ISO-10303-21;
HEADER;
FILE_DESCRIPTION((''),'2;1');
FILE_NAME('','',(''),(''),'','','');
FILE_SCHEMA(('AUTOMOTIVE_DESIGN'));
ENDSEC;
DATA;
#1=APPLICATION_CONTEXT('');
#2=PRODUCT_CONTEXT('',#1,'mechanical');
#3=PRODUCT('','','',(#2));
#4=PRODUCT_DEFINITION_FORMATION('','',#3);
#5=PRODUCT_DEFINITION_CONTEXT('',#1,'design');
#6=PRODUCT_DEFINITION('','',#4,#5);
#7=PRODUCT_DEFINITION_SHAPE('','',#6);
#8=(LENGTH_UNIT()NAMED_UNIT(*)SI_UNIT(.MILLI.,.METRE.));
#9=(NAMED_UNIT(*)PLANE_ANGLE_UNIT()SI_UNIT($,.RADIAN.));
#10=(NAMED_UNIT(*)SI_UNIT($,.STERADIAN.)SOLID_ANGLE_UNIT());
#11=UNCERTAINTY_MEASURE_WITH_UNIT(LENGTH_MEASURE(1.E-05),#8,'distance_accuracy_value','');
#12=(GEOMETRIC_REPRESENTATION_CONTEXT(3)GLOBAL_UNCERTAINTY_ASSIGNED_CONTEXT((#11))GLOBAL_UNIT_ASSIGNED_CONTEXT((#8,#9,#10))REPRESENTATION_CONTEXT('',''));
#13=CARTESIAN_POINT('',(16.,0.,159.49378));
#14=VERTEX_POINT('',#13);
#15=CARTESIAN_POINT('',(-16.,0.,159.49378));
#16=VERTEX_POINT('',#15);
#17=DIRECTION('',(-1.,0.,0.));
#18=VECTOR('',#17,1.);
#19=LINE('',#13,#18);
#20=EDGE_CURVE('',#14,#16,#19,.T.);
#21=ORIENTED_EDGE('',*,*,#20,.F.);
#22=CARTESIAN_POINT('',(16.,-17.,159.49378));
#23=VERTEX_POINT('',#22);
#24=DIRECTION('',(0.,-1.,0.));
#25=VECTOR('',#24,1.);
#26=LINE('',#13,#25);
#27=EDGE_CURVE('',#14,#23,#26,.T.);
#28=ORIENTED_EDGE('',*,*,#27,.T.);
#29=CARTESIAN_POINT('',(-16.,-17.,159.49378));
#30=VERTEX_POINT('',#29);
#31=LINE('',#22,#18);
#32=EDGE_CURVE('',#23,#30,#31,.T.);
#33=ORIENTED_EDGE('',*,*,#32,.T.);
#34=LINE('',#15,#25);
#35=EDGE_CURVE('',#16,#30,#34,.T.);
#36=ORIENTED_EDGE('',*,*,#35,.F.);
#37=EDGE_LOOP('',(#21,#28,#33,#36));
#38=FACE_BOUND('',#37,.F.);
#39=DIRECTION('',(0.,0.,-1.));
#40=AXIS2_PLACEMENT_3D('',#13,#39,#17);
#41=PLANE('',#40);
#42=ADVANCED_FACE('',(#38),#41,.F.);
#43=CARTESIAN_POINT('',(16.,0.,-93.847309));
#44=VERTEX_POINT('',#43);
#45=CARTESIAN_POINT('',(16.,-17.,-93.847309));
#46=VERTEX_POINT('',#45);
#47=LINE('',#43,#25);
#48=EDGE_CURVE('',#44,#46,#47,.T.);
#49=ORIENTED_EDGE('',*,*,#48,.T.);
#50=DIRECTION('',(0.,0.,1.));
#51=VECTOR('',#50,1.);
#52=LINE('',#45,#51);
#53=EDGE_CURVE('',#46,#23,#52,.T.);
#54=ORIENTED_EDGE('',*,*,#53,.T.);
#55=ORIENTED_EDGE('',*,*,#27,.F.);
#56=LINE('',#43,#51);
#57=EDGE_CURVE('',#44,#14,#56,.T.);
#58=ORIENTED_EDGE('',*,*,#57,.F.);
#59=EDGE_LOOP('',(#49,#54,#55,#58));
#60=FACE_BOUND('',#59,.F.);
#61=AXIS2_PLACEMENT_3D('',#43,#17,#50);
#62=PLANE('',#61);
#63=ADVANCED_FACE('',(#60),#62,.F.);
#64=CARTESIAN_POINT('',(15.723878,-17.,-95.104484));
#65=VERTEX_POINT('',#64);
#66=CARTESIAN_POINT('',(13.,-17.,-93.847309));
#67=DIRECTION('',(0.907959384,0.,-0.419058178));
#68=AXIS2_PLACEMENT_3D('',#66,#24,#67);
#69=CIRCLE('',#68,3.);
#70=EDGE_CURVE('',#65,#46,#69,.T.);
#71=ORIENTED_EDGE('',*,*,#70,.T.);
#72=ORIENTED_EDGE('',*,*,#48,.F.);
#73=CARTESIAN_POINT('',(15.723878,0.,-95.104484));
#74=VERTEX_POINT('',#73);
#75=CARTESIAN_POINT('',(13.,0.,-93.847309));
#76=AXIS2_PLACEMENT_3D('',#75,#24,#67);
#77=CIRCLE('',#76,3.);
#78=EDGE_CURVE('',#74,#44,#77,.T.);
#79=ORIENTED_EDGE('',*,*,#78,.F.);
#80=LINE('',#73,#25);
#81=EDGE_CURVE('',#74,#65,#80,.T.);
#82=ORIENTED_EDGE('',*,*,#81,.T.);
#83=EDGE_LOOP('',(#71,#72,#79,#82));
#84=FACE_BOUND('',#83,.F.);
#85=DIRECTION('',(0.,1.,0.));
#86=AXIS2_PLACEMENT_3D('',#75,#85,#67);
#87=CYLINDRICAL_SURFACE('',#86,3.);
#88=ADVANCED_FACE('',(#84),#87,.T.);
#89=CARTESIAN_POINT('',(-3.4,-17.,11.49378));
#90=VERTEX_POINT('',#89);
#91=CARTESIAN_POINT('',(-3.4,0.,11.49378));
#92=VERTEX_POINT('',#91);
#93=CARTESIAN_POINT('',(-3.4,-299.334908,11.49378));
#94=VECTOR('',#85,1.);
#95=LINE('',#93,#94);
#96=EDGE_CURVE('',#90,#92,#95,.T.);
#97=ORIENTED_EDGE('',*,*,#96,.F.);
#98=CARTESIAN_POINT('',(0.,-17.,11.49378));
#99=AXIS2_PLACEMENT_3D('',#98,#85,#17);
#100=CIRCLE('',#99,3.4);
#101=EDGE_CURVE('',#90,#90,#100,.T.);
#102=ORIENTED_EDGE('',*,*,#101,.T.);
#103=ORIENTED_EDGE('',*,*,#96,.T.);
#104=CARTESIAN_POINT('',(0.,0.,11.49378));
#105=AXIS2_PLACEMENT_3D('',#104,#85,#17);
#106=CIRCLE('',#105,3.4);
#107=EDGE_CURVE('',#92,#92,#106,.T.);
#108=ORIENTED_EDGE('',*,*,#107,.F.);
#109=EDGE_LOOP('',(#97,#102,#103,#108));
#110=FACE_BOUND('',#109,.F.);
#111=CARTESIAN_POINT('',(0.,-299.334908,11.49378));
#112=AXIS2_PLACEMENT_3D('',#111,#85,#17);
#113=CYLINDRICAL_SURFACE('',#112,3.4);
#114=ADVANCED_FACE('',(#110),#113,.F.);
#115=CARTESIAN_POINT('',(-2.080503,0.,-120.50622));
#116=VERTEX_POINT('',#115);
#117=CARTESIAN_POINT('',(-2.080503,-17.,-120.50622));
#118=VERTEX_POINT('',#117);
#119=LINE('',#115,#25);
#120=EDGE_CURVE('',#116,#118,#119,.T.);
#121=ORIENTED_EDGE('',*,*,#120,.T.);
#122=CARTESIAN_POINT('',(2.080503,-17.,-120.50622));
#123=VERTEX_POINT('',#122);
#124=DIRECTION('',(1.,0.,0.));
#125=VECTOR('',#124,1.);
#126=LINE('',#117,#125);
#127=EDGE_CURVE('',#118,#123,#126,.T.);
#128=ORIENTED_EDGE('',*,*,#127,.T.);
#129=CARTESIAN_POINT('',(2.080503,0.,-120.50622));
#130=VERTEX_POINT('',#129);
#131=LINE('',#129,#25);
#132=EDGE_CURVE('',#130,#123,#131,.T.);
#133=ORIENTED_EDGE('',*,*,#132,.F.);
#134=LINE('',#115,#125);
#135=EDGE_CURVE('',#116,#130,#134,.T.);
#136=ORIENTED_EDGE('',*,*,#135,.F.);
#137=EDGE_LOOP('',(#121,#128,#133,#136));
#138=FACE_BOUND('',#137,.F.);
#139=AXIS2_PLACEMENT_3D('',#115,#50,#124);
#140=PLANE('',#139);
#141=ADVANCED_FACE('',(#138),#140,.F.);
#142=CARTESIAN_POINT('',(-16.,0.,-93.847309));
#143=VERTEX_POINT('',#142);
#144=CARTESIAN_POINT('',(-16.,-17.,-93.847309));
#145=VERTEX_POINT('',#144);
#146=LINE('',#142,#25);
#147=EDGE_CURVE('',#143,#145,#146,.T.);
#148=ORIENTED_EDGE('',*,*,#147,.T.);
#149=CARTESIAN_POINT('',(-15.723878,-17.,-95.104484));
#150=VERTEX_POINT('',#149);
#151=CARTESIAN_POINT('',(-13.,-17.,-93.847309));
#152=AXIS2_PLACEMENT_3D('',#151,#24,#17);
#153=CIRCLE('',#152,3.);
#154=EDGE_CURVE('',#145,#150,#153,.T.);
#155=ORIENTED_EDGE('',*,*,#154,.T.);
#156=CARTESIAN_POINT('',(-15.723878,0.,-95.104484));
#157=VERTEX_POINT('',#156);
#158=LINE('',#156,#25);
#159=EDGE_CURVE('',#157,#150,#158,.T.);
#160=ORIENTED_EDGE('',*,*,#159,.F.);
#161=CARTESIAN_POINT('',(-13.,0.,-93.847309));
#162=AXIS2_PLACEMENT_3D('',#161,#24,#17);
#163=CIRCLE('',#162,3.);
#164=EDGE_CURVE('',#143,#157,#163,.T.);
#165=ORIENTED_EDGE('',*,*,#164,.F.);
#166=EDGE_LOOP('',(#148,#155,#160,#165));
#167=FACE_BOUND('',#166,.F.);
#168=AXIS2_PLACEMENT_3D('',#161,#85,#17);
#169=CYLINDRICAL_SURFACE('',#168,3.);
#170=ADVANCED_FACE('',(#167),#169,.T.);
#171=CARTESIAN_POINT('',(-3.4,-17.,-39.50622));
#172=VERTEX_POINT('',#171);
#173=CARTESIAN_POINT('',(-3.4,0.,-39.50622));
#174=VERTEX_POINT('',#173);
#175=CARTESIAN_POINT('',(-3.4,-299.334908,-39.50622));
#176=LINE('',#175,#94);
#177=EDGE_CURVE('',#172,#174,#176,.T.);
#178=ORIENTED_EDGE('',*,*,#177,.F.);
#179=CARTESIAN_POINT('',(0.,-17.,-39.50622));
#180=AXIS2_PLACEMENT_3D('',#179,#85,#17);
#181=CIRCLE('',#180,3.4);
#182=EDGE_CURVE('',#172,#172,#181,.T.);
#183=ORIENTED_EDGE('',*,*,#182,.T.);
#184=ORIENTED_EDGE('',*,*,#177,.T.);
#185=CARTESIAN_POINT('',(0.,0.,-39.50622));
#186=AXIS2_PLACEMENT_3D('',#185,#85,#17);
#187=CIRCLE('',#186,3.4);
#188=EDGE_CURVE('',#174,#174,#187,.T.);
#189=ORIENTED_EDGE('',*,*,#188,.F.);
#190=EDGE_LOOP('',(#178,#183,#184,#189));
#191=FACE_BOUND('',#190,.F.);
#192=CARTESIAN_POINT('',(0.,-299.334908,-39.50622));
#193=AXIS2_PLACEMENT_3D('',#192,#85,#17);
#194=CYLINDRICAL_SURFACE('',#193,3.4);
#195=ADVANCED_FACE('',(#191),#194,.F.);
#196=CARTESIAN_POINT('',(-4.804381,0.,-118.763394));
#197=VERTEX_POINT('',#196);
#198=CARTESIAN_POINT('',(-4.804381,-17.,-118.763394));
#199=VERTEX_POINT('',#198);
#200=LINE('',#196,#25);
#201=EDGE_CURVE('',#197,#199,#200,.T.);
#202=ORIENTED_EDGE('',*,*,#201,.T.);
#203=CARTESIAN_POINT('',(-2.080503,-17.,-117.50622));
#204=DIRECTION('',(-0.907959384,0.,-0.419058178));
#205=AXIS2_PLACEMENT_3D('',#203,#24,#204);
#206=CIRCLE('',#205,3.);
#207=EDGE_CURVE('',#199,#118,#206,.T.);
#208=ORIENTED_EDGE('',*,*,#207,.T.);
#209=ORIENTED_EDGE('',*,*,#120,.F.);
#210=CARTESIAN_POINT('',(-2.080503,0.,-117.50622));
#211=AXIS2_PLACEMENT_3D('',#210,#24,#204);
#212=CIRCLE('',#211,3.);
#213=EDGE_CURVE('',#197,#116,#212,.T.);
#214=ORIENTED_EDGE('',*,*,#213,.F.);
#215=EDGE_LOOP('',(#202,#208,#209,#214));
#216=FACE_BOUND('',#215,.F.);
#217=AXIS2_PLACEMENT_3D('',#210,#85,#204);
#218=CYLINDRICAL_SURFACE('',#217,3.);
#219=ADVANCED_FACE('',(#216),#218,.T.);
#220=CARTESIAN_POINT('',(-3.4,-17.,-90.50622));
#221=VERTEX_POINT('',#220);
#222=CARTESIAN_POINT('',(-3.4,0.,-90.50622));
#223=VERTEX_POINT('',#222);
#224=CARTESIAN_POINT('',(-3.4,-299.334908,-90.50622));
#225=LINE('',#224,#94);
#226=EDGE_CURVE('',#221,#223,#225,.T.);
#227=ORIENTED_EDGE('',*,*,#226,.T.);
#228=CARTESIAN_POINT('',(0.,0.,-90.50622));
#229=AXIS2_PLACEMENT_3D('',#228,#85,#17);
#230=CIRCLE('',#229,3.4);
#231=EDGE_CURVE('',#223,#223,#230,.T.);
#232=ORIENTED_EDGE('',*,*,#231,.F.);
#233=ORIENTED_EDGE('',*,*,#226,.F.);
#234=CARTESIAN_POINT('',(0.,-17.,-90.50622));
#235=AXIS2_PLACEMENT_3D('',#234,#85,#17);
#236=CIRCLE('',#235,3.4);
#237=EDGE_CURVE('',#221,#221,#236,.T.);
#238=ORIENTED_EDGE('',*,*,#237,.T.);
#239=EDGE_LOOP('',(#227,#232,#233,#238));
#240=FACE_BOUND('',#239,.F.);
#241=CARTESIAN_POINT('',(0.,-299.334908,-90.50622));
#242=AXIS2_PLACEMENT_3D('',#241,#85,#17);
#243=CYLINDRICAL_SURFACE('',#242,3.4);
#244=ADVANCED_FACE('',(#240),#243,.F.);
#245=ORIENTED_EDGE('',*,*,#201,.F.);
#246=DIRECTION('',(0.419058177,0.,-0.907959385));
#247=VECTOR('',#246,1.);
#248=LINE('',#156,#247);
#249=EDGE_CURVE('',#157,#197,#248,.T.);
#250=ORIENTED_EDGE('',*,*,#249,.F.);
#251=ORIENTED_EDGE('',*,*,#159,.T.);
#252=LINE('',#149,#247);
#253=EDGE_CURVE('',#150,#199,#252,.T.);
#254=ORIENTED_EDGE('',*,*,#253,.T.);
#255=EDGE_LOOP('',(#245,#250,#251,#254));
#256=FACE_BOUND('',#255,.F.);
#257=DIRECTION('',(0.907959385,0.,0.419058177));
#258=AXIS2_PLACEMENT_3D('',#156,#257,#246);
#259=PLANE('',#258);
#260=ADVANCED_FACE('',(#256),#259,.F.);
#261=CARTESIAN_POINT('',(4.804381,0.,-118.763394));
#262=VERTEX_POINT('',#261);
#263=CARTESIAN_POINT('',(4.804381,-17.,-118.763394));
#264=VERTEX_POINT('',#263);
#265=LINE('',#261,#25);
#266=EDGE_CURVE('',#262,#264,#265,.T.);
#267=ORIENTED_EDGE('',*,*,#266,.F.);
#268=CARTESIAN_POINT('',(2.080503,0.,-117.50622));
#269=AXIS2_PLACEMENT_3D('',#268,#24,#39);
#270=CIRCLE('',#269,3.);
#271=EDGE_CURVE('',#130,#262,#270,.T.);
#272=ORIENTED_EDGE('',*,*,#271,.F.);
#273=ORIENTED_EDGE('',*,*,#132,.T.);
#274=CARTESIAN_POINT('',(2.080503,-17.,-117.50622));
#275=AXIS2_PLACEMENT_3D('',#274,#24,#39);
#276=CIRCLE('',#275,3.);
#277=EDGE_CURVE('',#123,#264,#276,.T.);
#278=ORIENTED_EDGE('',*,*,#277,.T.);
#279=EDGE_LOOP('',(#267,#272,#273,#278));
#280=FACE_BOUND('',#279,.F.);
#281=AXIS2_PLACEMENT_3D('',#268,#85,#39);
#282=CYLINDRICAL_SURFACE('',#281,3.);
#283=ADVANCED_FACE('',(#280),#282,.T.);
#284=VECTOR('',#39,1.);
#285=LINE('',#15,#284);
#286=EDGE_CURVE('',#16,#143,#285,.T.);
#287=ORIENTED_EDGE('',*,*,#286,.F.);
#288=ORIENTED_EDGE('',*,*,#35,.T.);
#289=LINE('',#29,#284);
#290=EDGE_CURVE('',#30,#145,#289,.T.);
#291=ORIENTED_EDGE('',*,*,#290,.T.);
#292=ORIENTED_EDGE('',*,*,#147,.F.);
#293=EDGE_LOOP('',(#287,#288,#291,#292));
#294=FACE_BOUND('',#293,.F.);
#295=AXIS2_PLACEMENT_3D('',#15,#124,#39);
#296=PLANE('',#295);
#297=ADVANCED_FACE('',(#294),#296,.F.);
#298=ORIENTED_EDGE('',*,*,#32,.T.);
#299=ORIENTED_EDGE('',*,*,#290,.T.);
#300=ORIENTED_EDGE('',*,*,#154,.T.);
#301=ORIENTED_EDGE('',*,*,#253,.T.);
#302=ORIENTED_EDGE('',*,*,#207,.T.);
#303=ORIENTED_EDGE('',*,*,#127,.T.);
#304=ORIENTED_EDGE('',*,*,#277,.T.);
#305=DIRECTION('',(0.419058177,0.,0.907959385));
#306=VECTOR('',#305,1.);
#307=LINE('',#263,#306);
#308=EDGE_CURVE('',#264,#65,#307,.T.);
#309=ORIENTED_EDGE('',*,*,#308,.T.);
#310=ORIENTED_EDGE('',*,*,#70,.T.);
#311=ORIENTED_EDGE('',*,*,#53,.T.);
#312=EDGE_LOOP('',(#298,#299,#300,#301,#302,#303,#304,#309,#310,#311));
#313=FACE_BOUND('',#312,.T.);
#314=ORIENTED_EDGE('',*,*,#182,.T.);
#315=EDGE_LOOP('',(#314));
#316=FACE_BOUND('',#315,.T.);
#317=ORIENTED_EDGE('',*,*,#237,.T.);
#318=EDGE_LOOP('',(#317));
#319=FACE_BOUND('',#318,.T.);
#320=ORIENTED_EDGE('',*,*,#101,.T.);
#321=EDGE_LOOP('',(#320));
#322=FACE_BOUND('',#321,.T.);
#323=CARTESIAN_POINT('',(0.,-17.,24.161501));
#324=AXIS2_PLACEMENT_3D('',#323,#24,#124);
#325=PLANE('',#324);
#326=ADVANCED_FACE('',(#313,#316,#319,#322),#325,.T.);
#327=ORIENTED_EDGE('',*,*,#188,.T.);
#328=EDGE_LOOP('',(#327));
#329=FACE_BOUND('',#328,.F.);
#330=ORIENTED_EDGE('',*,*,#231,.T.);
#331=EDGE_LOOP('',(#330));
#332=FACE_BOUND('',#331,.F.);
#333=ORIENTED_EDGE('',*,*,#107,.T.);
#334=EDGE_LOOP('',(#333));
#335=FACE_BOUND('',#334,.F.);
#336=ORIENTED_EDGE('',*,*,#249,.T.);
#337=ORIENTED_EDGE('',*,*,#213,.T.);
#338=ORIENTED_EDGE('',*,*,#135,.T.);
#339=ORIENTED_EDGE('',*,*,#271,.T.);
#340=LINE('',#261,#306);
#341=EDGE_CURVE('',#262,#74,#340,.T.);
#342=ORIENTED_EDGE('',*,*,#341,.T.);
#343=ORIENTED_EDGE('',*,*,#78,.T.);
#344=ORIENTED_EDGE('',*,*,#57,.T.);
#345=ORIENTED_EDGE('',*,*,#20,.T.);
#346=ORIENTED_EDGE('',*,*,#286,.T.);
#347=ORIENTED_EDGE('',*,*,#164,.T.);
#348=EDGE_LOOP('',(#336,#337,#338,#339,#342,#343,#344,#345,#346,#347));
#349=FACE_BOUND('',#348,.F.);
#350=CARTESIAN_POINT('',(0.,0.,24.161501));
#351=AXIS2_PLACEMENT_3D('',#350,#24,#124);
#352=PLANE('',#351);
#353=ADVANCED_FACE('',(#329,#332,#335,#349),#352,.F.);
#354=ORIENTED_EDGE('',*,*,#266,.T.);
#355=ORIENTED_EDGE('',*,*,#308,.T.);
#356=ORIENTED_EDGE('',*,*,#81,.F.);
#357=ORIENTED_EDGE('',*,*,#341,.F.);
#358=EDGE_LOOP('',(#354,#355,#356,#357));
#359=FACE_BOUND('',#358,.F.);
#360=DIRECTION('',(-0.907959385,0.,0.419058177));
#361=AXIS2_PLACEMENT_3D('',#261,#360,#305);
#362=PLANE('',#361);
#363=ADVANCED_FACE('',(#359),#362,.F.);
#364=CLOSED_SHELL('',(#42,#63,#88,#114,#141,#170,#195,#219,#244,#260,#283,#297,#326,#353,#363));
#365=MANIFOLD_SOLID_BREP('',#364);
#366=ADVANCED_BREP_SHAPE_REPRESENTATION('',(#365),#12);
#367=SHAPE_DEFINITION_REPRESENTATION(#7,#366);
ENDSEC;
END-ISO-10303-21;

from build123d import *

# Parameters (mm, degrees)
F1_DEPTH = 17
F3_D     = 6.8


with BuildPart() as f1:
    # F0 (on Front) → F1 (new body)
    with BuildSketch(Plane.XZ):
        with BuildLine():
            Line((0, 159.4937804341), (-16, 159.4937804341))
            Line((-16, 159.4937804341), (-16, -93.8473090342))
            ThreePointArc((-16, -93.8473090342), (-15.9301565198, -94.4908793643), (-15.7238781535, -95.1044835666))
            Line((-15.7238781535, -95.1044835666), (-4.8043809851, -118.7633940983))
            ThreePointArc((-4.8043809851, -118.7633940983), (-3.697363432, -120.0332260555), (-2.0805028316, -120.5062195659))
            Line((-2.0805028316, -120.5062195659), (0, -120.5062195659))
            Line((0, -120.5062195659), (2.0805028316, -120.5062195659))
            ThreePointArc((2.0805028316, -120.5062195659), (3.697363432, -120.0332260555), (4.8043809851, -118.7633940983))
            Line((4.8043809851, -118.7633940983), (15.7238781535, -95.1044835666))
            ThreePointArc((15.7238781535, -95.1044835666), (15.9301565198, -94.4908793643), (16, -93.8473090342))
            Line((16, -93.8473090342), (16, 159.4937804341))
            Line((16, 159.4937804341), (0, 159.4937804341))
        make_face()
    extrude(amount=F1_DEPTH)

    # F3 (through all)
    with Locations(Plane.XZ.offset(17)):
        with Locations((0, 11.4937804341), (0, -39.5062195659), (0, -90.5062195659)):
            Hole(F3_D / 2)


solid = f1.part
